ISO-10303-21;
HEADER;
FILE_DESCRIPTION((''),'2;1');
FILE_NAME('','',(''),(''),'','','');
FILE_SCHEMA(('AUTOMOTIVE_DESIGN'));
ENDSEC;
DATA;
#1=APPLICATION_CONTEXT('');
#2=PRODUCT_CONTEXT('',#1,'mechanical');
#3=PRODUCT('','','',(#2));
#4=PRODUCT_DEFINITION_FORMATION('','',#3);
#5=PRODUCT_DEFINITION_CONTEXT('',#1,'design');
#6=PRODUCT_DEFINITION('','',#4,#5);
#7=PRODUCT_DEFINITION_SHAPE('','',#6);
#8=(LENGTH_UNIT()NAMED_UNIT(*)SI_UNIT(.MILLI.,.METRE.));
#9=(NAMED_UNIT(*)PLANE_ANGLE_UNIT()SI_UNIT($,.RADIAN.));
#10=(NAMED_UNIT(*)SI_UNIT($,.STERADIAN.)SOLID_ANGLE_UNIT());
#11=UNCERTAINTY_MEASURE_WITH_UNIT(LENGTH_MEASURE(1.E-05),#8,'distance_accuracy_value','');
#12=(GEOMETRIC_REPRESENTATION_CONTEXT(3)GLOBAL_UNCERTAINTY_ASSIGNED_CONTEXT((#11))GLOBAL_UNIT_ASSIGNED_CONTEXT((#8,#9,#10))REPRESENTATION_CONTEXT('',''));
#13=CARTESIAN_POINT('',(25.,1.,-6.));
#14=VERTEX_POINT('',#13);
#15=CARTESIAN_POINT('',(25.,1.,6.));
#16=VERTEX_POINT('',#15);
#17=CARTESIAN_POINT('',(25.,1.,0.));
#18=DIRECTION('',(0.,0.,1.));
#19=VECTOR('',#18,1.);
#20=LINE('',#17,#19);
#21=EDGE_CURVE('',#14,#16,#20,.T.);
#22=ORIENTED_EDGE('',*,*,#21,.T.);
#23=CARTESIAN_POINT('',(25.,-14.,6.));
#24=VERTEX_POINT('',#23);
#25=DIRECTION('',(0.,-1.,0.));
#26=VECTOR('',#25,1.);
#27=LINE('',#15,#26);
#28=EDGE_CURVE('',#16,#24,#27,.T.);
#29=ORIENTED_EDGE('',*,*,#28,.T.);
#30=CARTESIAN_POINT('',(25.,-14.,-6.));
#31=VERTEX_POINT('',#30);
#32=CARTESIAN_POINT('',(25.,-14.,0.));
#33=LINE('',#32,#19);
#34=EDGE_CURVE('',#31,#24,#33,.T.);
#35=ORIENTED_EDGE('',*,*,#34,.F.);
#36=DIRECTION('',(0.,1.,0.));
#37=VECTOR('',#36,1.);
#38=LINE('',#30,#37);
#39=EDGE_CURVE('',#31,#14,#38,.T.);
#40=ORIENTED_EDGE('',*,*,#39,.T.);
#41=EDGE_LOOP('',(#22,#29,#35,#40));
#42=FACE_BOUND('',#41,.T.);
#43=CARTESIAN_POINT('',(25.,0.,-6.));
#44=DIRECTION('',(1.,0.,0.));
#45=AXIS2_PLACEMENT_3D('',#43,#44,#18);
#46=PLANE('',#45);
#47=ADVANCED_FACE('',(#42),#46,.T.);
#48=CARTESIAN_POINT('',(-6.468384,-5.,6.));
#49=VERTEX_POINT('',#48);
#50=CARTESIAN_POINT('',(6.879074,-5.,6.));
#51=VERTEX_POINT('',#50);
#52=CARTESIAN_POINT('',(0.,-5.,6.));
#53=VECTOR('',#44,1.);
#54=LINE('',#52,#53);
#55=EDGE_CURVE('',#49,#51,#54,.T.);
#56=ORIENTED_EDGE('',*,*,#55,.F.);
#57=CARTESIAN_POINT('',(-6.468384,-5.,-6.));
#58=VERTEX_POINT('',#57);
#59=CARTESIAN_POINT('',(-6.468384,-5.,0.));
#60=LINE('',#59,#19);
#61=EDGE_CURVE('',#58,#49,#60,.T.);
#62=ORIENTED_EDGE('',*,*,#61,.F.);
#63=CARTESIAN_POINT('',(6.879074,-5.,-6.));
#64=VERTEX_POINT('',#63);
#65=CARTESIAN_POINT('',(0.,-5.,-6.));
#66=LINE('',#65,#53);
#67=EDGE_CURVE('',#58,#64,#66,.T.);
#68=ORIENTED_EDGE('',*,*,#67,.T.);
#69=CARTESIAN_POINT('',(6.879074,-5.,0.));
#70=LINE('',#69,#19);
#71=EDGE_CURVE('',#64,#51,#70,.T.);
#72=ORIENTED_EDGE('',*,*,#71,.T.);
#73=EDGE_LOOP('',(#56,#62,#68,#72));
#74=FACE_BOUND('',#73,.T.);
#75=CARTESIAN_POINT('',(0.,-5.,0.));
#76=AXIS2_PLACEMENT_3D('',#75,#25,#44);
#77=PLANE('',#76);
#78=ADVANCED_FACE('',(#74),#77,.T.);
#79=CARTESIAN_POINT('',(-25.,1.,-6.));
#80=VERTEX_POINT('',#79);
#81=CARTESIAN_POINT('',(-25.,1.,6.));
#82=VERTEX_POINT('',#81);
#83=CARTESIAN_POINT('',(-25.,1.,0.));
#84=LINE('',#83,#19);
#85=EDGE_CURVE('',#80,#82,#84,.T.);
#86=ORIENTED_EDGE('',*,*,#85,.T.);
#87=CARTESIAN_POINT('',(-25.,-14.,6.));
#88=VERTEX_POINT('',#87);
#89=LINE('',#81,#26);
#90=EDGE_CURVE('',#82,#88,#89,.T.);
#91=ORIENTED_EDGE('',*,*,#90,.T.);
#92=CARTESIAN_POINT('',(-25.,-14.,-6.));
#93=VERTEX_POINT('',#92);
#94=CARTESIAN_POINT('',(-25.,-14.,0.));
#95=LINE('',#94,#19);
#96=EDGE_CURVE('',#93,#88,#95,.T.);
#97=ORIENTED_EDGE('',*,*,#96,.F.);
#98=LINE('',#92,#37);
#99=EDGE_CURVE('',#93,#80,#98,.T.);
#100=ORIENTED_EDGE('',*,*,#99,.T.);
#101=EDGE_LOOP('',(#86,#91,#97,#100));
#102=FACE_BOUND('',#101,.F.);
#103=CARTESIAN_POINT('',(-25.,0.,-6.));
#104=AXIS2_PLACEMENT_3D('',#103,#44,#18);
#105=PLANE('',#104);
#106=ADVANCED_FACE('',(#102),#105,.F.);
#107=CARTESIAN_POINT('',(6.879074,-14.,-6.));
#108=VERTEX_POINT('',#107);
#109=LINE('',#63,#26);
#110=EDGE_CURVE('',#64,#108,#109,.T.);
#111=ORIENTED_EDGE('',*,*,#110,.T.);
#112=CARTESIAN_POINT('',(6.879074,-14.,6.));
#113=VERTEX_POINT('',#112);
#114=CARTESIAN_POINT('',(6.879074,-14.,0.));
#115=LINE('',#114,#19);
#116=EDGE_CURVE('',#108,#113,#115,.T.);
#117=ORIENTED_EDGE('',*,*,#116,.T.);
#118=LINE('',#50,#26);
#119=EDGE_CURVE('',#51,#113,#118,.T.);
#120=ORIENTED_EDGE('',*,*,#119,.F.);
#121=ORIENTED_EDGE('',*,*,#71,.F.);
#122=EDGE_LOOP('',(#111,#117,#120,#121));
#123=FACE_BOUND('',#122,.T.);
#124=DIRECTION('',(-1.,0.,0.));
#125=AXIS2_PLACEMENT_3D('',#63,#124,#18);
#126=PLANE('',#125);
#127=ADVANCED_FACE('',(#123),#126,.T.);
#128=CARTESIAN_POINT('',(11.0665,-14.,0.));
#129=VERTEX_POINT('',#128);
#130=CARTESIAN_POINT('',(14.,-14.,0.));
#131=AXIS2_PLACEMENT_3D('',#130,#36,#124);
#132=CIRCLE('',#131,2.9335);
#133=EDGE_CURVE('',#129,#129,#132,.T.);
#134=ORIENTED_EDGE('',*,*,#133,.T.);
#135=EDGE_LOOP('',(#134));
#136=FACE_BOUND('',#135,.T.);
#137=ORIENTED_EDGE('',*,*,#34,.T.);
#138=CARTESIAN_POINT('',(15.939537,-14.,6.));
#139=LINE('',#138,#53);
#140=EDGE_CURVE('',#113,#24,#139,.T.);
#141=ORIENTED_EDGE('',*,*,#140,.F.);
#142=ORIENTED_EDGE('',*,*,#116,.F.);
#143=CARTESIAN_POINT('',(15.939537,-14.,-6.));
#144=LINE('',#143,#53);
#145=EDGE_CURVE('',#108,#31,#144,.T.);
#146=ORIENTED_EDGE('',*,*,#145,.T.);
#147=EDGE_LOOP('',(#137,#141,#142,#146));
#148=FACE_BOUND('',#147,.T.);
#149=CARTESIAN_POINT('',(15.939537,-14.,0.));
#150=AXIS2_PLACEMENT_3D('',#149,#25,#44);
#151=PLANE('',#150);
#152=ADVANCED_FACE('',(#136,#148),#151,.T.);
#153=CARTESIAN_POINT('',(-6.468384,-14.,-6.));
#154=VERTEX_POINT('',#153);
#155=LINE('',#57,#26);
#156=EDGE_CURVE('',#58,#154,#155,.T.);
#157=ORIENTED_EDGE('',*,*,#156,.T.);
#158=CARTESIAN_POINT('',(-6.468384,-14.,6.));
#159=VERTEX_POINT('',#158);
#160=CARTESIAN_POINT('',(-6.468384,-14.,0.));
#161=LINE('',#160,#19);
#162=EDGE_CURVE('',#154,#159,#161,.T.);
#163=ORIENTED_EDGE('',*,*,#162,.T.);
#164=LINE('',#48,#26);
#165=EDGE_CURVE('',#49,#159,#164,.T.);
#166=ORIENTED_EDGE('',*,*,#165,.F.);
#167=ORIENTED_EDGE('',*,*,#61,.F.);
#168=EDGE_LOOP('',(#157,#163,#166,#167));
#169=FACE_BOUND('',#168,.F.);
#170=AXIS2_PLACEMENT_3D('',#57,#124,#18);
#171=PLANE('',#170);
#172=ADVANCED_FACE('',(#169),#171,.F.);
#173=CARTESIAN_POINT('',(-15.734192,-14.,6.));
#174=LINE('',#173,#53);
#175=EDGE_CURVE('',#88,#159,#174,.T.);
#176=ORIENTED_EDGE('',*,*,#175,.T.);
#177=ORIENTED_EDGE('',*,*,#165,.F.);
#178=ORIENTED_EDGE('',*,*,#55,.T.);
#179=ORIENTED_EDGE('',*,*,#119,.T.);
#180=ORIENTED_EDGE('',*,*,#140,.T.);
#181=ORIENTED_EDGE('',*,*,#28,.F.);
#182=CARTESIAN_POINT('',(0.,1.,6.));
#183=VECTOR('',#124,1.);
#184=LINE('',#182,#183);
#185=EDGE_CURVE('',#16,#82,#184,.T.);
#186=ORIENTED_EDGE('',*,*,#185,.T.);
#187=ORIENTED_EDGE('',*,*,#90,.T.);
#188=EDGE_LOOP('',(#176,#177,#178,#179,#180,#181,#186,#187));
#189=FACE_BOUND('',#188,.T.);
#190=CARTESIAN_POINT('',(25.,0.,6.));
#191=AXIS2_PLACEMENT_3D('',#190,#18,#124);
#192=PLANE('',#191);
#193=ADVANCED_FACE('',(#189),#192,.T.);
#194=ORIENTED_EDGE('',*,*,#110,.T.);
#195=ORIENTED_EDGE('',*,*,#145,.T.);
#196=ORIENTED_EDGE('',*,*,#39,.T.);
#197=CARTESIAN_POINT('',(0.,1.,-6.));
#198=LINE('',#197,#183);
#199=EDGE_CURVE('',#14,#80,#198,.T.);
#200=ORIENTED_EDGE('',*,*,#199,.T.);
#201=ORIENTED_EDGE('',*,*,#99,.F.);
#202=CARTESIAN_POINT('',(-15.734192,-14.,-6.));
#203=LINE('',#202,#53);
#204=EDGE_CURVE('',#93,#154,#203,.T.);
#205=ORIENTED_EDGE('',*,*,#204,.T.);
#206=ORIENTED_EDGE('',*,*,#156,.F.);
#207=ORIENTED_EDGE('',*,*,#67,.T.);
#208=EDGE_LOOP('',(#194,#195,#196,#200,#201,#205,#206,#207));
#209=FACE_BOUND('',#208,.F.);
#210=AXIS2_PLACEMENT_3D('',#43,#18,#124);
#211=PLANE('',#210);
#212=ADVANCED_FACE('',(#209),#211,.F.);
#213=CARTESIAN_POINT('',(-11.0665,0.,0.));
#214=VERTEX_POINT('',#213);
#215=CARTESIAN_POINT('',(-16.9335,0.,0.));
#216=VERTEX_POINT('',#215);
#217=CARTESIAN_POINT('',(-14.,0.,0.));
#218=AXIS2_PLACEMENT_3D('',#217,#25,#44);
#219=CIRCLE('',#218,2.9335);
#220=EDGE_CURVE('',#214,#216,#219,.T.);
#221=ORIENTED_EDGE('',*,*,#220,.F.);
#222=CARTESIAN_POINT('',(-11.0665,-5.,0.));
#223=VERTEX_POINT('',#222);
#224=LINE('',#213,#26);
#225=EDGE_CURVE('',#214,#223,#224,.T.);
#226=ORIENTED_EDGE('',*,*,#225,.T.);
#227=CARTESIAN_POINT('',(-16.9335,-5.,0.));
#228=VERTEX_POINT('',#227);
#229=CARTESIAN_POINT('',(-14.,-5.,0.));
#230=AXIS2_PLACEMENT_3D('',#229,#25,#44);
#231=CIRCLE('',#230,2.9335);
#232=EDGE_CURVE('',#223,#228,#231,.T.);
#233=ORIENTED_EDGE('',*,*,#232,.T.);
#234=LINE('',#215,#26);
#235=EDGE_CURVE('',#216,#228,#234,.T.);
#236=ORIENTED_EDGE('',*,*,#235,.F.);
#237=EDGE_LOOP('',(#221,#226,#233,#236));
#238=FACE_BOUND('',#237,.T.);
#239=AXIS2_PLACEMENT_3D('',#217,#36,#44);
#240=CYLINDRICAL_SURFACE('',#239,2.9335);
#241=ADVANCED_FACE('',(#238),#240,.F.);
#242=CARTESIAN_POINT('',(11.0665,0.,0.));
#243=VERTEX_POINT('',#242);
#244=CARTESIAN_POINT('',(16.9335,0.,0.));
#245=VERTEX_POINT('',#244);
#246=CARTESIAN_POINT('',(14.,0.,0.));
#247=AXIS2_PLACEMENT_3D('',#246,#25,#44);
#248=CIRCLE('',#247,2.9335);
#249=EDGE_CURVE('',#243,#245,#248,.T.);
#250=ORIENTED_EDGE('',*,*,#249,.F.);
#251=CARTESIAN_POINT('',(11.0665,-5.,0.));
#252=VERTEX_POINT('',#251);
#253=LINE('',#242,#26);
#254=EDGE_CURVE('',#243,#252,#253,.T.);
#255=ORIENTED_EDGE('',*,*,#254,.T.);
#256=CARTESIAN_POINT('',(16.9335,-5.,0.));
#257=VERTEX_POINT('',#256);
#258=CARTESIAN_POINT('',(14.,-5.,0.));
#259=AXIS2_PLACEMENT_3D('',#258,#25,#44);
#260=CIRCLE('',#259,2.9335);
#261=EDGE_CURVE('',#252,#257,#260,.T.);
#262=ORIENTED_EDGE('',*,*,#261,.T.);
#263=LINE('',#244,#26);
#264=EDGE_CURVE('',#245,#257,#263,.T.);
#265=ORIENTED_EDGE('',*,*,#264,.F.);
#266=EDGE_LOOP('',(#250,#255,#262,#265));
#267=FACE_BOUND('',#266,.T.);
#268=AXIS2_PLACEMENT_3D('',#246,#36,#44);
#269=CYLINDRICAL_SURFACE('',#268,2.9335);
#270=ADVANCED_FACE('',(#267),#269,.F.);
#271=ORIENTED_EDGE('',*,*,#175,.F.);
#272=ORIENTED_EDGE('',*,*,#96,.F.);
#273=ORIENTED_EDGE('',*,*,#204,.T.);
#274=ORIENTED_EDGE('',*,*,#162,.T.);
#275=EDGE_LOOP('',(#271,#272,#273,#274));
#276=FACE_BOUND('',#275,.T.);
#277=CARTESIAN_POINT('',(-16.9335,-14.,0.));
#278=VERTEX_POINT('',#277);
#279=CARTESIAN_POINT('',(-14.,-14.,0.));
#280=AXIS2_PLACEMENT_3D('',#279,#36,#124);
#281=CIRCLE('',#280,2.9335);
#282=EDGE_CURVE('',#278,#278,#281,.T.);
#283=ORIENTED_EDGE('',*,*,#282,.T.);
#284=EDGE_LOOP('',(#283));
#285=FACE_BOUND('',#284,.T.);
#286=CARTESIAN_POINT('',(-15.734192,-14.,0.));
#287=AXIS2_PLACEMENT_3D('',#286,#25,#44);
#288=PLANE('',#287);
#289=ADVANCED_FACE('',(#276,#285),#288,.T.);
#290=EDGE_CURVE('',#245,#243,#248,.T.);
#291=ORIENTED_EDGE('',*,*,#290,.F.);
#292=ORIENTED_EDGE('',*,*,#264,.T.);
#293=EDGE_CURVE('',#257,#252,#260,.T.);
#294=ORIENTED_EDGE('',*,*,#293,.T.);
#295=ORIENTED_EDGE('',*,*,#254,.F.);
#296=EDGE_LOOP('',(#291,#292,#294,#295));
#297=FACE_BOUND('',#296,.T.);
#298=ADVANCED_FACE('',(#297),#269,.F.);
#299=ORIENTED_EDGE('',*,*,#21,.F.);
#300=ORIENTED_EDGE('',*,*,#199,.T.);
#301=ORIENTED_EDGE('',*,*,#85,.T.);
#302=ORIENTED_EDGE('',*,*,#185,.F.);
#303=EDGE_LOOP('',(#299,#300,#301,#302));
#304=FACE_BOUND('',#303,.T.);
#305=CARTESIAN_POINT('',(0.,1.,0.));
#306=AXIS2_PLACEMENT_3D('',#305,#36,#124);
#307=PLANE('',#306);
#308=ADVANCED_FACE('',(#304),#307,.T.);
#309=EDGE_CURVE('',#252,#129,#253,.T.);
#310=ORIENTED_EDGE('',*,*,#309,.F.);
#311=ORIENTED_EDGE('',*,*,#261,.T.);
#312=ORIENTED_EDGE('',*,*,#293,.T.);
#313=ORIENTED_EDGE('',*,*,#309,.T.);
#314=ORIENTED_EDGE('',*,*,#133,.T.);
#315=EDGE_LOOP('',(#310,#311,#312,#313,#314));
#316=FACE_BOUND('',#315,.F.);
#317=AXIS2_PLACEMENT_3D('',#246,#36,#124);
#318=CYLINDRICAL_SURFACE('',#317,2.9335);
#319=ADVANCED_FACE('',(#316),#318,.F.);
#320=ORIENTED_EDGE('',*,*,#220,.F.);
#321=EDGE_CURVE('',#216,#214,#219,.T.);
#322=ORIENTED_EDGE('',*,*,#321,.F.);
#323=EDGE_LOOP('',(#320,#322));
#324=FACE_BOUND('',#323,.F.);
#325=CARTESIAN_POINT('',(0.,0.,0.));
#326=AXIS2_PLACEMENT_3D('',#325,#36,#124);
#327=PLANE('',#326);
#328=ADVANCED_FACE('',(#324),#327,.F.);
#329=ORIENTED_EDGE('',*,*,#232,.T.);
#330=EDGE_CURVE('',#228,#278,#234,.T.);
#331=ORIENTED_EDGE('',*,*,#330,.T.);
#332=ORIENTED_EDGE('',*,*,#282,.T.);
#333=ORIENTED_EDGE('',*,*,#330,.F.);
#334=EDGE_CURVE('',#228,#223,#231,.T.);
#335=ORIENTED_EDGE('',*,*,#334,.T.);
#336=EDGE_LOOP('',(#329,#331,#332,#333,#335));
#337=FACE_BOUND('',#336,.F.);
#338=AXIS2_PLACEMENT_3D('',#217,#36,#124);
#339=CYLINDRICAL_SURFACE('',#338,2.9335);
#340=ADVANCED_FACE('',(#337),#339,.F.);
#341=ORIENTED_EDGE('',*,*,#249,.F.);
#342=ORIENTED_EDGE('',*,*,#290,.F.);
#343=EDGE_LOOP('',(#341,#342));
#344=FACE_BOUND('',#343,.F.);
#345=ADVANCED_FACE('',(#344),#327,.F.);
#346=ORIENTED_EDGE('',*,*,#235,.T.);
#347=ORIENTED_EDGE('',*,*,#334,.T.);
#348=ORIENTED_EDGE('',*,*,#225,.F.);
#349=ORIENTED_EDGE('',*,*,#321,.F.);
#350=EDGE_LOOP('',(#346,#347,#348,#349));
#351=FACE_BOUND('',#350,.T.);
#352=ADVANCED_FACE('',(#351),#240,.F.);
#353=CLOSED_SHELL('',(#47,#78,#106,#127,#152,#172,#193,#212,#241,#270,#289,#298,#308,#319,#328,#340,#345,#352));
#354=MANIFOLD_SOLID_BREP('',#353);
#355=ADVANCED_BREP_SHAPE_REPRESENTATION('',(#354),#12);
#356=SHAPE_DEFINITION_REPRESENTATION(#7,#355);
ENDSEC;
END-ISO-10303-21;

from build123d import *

# Parameters (mm, degrees)
F0_W     = 50
F0_H     = 12
F0_R     = 2.9335
F1_DEPTH = 5
F2_W     = 18.531616
F2_H     = 12
F2_W_2   = 18.120926
F3_DEPTH = 9
F4_R     = 2.9335
F5_DEPTH = 25
F6_W     = 50
F6_H     = 12
F7_DEPTH = 1


with BuildPart() as f1:
    # F0 (on Front) → F1 (new body)
    with BuildSketch(Plane.XZ):
        Rectangle(F0_W, F0_H)
        with Locations((-14, 0)):
            Circle(F0_R, mode=Mode.SUBTRACT)
        with Locations((14, 0)):
            Circle(F0_R, mode=Mode.SUBTRACT)
    extrude(amount=F1_DEPTH)

    # F2 (on face) → F3 (join)
    with BuildSketch(Plane.XZ.offset(5)):
        with Locations((-15.734192, 0)):
            Rectangle(F2_W, F2_H)
        with Locations((15.939537, 0)):
            Rectangle(F2_W_2, F2_H)
    extrude(amount=F3_DEPTH)

    # F4 (on face) → F5 (cut)
    with BuildSketch(Plane(origin=(0, 0, 0), x_dir=(-1, 0, 0), z_dir=(0, 1, 0))):
        with Locations((-14, 0)):
            Circle(F4_R)
        with Locations((14, 0)):
            Circle(F4_R)
    extrude(amount=-F5_DEPTH, mode=Mode.SUBTRACT)

    # F6 (on face) → F7 (join)
    with BuildSketch(Plane(origin=(0, 0, 0), x_dir=(-1, 0, 0), z_dir=(0, 1, 0))):
        Rectangle(F6_W, F6_H)
    extrude(amount=F7_DEPTH)


solid = f1.part
